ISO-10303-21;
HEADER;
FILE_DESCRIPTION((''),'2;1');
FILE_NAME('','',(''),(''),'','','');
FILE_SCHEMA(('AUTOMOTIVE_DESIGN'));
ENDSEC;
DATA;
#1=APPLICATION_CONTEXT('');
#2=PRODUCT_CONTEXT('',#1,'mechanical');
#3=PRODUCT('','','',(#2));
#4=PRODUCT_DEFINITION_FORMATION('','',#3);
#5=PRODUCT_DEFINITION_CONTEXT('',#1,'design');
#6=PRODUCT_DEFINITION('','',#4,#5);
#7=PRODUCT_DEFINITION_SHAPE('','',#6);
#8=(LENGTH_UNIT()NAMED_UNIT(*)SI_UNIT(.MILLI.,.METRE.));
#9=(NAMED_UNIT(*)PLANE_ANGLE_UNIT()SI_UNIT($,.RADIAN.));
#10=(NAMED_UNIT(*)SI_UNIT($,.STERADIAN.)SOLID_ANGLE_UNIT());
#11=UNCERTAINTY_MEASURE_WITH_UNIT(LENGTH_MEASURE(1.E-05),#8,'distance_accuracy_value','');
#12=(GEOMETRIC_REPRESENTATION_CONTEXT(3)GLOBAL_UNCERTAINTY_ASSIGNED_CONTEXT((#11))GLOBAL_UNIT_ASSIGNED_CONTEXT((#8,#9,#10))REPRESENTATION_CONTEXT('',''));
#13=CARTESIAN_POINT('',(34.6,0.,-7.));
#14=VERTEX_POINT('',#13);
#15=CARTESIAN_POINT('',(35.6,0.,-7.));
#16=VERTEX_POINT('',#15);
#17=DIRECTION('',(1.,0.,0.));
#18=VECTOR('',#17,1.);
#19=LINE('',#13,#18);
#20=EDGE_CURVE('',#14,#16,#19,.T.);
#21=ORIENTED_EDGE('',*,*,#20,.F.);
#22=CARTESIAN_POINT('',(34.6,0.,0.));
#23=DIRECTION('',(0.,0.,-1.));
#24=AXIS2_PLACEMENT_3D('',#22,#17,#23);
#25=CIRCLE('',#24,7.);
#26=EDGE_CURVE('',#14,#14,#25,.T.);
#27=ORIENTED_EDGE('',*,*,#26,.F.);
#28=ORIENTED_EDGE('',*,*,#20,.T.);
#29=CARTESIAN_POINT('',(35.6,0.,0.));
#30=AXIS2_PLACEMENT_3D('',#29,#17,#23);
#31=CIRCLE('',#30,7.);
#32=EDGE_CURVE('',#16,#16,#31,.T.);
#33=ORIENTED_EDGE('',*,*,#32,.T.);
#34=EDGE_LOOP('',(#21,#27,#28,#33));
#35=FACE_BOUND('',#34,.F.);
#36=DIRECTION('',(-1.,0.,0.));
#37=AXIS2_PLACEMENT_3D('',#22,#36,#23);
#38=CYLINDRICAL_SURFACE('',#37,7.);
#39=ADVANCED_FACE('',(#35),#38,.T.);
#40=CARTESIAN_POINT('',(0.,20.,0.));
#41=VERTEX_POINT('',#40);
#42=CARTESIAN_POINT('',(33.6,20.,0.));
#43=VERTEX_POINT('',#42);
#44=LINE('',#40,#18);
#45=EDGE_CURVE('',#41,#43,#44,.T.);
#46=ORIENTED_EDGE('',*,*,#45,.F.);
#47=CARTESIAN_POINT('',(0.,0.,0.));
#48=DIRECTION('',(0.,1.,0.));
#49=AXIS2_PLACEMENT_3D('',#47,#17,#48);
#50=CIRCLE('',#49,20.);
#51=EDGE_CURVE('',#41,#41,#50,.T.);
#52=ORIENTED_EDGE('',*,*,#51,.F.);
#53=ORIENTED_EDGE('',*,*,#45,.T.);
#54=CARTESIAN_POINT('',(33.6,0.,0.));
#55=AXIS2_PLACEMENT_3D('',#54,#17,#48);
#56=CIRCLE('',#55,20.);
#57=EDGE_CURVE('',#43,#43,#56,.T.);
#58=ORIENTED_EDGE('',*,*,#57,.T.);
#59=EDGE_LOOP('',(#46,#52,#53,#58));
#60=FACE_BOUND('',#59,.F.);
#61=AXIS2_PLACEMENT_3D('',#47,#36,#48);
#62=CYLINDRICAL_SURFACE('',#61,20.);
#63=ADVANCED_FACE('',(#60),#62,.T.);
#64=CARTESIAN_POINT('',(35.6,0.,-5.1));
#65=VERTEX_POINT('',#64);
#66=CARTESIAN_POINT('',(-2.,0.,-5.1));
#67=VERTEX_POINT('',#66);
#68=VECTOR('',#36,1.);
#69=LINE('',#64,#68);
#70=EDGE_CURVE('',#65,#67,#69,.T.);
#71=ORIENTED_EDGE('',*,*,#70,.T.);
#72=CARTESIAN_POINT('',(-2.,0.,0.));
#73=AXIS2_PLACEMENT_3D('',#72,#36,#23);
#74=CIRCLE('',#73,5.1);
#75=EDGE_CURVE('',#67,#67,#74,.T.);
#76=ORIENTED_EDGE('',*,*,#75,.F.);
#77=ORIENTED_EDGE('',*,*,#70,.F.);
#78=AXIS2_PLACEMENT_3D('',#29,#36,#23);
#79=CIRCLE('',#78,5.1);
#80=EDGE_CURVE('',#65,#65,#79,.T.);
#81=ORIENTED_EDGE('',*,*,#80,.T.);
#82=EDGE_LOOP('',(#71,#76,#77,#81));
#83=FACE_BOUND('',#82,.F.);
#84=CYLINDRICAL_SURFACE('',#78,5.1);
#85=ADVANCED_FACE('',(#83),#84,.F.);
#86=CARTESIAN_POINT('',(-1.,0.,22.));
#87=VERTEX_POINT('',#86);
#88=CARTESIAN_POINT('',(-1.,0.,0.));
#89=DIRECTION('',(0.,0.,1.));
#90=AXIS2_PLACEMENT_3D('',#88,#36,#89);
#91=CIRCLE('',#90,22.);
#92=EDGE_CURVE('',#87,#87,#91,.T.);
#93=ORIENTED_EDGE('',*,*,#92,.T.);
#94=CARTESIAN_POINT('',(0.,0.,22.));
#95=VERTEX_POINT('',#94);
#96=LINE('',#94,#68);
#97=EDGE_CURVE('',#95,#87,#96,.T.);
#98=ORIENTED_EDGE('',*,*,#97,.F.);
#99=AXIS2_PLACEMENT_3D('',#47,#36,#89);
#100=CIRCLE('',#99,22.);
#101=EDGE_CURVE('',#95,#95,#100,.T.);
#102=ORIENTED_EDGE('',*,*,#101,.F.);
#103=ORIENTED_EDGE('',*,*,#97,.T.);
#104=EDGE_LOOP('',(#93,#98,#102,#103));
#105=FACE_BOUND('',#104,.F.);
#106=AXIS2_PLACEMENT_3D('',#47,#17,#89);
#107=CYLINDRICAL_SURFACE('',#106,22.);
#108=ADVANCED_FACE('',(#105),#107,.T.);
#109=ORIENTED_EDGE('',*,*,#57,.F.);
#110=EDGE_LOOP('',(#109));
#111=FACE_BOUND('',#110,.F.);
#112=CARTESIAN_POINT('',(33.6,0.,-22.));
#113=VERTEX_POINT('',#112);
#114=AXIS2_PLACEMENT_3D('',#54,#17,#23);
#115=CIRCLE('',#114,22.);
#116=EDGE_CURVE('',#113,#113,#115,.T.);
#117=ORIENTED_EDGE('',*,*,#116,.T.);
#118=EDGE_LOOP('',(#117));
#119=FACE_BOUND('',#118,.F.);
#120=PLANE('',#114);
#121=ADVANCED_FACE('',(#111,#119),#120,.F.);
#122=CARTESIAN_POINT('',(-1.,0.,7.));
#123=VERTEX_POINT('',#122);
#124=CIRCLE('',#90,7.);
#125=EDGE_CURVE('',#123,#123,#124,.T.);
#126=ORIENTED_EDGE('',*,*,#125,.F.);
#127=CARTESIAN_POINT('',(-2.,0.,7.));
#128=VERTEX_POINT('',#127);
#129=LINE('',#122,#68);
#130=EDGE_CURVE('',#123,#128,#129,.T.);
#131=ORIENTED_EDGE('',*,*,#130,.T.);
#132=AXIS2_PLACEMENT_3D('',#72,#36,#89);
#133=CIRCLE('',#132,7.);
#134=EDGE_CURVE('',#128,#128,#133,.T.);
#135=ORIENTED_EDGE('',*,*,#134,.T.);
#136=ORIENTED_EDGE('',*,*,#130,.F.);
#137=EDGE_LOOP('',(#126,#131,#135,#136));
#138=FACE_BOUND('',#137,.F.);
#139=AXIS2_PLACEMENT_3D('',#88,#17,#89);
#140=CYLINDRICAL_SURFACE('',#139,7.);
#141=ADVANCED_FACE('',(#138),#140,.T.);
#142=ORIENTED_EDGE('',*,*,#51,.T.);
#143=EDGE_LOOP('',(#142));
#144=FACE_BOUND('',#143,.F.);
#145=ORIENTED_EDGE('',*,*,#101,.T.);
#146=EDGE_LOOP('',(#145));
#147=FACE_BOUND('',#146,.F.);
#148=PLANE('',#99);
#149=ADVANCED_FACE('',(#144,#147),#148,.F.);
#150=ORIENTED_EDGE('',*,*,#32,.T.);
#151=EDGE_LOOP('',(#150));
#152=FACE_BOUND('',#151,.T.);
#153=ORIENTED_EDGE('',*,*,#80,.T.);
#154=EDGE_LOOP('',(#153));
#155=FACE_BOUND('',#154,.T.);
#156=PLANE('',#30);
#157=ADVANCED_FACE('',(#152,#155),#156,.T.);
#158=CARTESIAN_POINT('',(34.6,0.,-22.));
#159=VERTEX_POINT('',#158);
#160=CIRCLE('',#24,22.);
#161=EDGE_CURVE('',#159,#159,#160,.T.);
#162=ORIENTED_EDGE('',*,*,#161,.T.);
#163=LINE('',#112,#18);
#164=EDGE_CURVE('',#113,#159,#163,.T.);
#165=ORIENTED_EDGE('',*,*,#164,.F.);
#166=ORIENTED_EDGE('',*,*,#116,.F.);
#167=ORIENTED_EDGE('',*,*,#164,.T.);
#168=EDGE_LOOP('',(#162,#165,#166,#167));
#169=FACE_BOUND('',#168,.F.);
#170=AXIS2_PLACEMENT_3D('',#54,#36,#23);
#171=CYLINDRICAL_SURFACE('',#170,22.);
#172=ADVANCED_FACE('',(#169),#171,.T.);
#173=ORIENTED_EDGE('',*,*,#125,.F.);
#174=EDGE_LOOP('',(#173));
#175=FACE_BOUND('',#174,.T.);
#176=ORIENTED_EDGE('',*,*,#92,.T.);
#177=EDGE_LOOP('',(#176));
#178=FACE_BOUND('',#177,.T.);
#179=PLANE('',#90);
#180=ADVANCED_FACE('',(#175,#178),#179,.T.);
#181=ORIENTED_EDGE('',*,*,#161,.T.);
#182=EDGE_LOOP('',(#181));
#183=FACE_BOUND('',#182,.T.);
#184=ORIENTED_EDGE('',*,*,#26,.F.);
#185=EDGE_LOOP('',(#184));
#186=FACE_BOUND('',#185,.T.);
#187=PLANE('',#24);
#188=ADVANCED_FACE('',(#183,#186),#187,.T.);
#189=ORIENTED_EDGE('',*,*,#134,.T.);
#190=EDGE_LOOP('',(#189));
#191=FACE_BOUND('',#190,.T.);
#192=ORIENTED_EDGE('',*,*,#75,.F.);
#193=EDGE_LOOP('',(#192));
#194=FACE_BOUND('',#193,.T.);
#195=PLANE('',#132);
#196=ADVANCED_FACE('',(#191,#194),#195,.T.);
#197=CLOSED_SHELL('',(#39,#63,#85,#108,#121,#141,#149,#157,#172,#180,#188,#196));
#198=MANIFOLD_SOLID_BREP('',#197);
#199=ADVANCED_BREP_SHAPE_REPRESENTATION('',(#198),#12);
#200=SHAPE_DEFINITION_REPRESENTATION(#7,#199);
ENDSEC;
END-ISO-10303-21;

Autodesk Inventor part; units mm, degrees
ref_plane "YZ Plane" through (0, 0, 0) normal (1, 0, 0) x (0, 1, 0)
ref_plane "XZ Plane" through (0, 0, 0) normal (0, 1, 0) x (-1, 0, 0)
ref_plane "XY Plane" through (0, 0, 0) normal (0, 0, 1) x (1, 0, 0)
sketch "スケッチ1" plane through (0, 0, 0) normal (1, 0, 0) x (0, 1, 0)
  circle A0 centre (0, 0) radius 20
  dimension "d0" = 40
extrude "押し出し1" add sketch "スケッチ1" along normal blind 33.6
sketch "スケッチ2" plane through (33.6, 0, 0) normal (1, 0, 0) x (0, 0, -1)
  circle A0 centre (0, 0) radius 22
  dimension "d3" = 44
extrude "押し出し2" add sketch "スケッチ2" along normal blind 1
sketch "スケッチ3" plane through (34.6, 0, 0) normal (1, 0, 0) x (0, 0, -1)
  circle A0 centre (0, 0) radius 7
  dimension "d6" = 14
extrude "押し出し3" add sketch "スケッチ3" along normal blind 1
sketch "スケッチ4" plane through (0, 0, 0) normal (-1, 0, 0) x (0, 0, 1)
  circle A0 centre (0, 0) radius 22
  dimension "d9" = 44
extrude "押し出し4" add sketch "スケッチ4" along normal blind 1
sketch "スケッチ5" plane through (-1, 0, 0) normal (-1, 0, 0) x (0, 0, 1)
  circle A0 centre (0, 0) radius 7
  dimension "d12" = 14
extrude "押し出し5" add sketch "スケッチ5" along normal blind 1
sketch "スケッチ6" plane through (35.6, 0, 0) normal (1, 0, 0) x (0, 0, -1)
  circle A0 centre (0, 0) radius 7 projected
hole "穴1" at (35.6, 0, 0) direction (-1, 0, 0) diameter 10.2 end through all
properties part number "CLS_typeC_31.4N"
